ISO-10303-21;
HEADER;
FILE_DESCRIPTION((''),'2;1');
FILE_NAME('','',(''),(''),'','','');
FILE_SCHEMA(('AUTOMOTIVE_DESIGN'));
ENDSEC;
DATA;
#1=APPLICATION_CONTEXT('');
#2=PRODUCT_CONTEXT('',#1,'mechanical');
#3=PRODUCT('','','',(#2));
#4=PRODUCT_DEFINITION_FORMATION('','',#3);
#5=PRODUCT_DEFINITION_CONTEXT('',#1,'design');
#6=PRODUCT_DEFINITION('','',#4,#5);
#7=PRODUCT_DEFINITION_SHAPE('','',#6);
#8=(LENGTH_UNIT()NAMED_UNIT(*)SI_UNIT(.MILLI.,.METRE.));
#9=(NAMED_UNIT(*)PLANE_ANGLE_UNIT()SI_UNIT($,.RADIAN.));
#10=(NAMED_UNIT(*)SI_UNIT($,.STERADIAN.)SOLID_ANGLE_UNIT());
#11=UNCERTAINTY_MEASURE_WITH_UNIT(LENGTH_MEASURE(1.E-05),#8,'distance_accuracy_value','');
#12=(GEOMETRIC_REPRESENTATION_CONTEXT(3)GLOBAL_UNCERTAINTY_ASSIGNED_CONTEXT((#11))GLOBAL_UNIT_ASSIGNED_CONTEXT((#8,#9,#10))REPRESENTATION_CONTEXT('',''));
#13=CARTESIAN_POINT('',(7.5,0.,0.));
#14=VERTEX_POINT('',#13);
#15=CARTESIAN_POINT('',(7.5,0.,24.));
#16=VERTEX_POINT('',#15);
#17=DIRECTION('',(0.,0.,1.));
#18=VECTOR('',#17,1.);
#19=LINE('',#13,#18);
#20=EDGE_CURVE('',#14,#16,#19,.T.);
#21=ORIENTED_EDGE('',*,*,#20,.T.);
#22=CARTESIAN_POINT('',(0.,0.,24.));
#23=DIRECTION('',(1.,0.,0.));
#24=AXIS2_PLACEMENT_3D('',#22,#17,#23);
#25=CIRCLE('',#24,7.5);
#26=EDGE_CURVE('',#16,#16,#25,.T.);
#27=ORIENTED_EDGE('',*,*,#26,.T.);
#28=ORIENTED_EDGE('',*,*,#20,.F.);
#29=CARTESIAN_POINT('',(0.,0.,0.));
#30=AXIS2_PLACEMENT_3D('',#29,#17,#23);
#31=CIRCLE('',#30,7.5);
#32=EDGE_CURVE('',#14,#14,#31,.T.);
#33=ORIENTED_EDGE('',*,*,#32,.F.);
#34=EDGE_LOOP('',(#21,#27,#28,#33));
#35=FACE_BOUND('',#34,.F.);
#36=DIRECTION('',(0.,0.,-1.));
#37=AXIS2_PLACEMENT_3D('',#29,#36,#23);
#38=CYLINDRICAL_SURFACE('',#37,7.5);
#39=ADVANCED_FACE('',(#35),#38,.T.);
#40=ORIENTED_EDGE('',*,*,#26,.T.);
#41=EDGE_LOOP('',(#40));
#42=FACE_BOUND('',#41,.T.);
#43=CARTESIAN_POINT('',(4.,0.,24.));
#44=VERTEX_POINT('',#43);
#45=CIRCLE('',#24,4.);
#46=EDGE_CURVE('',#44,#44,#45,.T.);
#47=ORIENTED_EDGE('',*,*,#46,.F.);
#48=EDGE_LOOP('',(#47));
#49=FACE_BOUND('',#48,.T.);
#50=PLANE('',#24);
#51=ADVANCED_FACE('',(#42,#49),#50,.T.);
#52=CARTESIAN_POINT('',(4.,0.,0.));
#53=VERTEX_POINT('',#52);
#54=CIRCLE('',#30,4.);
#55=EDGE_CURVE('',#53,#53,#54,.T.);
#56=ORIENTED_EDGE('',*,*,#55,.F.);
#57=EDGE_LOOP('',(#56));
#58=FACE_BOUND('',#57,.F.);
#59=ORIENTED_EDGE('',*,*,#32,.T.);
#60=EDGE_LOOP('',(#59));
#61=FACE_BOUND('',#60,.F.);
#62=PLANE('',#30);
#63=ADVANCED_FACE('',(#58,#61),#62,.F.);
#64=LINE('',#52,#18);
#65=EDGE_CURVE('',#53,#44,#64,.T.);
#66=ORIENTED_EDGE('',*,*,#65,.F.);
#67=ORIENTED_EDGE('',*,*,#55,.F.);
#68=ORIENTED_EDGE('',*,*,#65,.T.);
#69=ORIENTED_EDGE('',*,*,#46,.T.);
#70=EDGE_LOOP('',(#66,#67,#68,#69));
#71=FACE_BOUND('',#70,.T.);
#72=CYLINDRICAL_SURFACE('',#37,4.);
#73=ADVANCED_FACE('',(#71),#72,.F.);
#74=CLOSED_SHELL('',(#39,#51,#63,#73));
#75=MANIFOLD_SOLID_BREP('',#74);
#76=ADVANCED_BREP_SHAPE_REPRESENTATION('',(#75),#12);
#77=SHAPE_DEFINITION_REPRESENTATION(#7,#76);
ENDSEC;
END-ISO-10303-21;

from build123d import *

# Parameters (mm, degrees)
SKETCH1_R           = 7.5
SKETCH1_R_2         = 4
BOSS_EXTRUDE1_DEPTH = 24


with BuildPart() as part:
    # Sketch1 → Boss-Extrude1 (new body)
    with BuildSketch(Plane.XY):
        Circle(SKETCH1_R)
        Circle(SKETCH1_R_2, mode=Mode.SUBTRACT)
    extrude(amount=BOSS_EXTRUDE1_DEPTH)


solid = part.part
